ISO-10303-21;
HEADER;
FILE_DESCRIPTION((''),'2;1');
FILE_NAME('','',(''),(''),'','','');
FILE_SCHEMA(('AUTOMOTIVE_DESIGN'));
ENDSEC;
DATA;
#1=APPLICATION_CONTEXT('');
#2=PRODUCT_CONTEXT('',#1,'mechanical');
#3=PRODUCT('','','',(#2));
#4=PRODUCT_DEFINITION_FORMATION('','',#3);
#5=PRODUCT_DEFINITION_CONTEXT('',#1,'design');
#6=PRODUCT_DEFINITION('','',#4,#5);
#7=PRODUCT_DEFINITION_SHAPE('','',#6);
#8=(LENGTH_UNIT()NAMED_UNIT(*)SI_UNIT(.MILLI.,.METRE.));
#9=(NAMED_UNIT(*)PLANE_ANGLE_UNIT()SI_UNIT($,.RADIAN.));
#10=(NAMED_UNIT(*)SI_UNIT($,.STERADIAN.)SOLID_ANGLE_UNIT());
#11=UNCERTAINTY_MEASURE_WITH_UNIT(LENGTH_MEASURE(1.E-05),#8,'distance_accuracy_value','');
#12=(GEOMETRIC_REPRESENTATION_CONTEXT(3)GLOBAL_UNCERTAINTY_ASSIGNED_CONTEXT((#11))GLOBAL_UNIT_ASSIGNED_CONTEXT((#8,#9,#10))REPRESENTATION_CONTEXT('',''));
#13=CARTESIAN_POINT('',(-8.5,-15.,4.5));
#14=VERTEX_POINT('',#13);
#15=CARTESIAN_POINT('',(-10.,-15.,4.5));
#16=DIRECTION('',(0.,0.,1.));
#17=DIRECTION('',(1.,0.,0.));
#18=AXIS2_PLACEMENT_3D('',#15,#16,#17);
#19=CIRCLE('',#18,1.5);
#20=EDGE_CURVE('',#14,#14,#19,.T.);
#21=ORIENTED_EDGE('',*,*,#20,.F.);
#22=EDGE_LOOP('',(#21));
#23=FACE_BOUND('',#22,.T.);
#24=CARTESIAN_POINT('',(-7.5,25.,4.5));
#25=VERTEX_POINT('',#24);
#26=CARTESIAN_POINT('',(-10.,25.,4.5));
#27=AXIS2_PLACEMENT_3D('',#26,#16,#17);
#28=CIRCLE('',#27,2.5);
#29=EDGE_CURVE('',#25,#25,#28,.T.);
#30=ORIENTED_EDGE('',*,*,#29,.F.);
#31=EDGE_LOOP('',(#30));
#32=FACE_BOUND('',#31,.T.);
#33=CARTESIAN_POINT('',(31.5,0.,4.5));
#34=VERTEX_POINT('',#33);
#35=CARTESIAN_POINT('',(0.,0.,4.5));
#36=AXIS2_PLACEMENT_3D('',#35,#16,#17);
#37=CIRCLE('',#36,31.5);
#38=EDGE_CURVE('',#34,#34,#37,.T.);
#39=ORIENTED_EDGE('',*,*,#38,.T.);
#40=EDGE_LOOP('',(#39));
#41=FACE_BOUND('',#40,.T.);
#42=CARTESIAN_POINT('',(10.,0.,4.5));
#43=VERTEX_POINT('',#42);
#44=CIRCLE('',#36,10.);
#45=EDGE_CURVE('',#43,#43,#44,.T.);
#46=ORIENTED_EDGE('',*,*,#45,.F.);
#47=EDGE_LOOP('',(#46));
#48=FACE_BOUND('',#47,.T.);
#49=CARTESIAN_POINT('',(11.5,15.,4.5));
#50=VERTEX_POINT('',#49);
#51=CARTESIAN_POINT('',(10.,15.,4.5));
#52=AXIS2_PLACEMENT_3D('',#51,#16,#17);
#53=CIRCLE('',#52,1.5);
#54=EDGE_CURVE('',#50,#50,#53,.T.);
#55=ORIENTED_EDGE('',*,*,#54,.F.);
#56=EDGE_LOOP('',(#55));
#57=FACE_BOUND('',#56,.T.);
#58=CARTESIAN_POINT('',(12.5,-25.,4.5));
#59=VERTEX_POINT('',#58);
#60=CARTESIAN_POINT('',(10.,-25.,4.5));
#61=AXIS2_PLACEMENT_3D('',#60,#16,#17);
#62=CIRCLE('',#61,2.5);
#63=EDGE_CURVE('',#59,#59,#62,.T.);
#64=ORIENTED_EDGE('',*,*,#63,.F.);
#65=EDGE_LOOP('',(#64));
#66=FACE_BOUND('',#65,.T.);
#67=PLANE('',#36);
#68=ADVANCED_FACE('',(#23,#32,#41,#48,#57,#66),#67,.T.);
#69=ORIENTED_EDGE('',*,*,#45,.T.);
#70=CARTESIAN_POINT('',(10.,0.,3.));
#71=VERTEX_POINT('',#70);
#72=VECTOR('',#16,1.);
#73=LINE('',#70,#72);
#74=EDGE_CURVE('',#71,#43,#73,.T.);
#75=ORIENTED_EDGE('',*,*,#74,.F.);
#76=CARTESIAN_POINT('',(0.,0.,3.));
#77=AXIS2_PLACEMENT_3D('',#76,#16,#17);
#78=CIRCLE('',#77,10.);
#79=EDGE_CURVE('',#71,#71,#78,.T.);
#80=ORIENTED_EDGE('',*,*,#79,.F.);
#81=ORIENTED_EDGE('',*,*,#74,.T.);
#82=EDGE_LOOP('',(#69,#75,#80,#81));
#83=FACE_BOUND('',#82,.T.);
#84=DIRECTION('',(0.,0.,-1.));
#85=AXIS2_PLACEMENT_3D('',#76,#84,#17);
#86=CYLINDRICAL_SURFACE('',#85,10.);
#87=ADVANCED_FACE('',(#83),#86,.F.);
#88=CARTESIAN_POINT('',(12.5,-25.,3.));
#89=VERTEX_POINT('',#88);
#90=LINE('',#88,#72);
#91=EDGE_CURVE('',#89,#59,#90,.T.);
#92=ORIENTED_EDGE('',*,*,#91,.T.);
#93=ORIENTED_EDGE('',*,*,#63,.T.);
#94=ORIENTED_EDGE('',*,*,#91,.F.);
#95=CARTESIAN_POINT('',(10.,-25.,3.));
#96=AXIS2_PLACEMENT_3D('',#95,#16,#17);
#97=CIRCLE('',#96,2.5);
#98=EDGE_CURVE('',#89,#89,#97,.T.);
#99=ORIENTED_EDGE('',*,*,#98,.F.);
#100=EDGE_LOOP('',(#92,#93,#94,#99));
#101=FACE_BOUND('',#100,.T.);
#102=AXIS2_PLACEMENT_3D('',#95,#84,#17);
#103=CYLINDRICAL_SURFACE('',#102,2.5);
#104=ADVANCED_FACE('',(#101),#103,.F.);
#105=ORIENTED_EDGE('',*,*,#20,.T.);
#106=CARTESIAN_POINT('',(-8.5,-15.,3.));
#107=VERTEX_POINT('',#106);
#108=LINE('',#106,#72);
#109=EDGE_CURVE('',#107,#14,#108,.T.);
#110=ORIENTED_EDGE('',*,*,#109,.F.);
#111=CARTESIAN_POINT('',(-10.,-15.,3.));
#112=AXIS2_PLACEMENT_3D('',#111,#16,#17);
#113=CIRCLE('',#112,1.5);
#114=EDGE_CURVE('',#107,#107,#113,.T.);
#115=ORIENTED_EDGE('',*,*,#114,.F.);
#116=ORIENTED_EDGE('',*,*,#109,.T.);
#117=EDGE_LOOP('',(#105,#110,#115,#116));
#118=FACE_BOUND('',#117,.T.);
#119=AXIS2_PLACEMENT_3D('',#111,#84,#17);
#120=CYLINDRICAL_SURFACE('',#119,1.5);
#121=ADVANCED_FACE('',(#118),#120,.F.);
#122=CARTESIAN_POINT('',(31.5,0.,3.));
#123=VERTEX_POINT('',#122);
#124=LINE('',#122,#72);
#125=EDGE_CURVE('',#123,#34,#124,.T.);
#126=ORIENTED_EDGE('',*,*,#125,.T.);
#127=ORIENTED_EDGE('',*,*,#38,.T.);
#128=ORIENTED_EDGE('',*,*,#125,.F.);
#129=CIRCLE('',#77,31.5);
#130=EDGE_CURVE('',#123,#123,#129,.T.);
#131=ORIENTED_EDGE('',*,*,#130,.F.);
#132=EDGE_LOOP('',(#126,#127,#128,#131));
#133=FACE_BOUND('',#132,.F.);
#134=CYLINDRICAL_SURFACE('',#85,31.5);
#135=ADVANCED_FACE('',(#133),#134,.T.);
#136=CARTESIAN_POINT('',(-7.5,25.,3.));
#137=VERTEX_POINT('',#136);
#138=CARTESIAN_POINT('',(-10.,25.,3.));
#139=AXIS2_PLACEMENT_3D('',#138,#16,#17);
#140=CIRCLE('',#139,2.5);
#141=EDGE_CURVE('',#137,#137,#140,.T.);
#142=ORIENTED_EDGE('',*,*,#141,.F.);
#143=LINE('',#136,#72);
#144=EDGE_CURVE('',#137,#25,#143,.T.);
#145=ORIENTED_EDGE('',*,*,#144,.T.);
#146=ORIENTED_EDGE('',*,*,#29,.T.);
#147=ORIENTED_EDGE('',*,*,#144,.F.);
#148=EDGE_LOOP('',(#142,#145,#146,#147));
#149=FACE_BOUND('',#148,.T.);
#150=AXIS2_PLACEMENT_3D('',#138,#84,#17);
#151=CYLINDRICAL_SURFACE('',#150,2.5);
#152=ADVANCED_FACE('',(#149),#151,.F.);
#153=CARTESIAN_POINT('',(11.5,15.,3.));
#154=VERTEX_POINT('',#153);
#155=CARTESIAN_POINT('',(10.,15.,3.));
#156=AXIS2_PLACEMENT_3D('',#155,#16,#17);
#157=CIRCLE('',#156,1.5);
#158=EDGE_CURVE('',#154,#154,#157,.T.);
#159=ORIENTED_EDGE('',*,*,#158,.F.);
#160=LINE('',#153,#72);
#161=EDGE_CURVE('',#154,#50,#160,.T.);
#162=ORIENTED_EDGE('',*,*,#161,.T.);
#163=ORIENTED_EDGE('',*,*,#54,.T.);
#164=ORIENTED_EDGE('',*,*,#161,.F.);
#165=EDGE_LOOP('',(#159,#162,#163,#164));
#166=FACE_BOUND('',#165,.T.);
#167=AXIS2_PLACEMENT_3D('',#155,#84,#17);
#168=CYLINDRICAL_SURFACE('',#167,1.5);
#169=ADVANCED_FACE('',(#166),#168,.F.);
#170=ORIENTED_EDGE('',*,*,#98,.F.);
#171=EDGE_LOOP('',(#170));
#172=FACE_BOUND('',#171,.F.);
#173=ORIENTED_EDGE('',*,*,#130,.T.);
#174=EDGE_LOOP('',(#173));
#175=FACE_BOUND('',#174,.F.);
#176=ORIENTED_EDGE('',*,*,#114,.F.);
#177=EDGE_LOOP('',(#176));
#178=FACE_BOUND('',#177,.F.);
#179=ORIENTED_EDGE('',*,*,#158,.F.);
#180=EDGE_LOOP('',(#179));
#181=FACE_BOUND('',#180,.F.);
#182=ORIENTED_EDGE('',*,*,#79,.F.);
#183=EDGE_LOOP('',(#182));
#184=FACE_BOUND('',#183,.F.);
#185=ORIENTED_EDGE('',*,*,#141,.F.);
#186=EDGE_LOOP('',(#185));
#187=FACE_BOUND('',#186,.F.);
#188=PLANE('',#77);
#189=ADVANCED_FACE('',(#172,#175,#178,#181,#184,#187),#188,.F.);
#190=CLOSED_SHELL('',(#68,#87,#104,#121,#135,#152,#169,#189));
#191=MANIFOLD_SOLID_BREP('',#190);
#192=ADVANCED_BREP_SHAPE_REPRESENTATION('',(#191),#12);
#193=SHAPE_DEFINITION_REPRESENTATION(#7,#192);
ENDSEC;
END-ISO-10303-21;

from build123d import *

# Parameters (mm, degrees)
SKETCH005_R   = 31.5
SKETCH005_R_2 = 2.5
SKETCH005_R_3 = 1.5
SKETCH005_R_4 = 10
PAD_DEPTH     = 1.5


with BuildPart() as part:
    # Sketch005 → Pad (new body)
    with BuildSketch(Plane.XY.offset(3)):
        Circle(SKETCH005_R)
        with Locations((-10, 25)):
            Circle(SKETCH005_R_2, mode=Mode.SUBTRACT)
        with Locations((10, -25)):
            Circle(SKETCH005_R_2, mode=Mode.SUBTRACT)
        with Locations((-10, -15)):
            Circle(SKETCH005_R_3, mode=Mode.SUBTRACT)
        with Locations((10, 15)):
            Circle(SKETCH005_R_3, mode=Mode.SUBTRACT)
        Circle(SKETCH005_R_4, mode=Mode.SUBTRACT)
    extrude(amount=PAD_DEPTH)


solid = part.part
